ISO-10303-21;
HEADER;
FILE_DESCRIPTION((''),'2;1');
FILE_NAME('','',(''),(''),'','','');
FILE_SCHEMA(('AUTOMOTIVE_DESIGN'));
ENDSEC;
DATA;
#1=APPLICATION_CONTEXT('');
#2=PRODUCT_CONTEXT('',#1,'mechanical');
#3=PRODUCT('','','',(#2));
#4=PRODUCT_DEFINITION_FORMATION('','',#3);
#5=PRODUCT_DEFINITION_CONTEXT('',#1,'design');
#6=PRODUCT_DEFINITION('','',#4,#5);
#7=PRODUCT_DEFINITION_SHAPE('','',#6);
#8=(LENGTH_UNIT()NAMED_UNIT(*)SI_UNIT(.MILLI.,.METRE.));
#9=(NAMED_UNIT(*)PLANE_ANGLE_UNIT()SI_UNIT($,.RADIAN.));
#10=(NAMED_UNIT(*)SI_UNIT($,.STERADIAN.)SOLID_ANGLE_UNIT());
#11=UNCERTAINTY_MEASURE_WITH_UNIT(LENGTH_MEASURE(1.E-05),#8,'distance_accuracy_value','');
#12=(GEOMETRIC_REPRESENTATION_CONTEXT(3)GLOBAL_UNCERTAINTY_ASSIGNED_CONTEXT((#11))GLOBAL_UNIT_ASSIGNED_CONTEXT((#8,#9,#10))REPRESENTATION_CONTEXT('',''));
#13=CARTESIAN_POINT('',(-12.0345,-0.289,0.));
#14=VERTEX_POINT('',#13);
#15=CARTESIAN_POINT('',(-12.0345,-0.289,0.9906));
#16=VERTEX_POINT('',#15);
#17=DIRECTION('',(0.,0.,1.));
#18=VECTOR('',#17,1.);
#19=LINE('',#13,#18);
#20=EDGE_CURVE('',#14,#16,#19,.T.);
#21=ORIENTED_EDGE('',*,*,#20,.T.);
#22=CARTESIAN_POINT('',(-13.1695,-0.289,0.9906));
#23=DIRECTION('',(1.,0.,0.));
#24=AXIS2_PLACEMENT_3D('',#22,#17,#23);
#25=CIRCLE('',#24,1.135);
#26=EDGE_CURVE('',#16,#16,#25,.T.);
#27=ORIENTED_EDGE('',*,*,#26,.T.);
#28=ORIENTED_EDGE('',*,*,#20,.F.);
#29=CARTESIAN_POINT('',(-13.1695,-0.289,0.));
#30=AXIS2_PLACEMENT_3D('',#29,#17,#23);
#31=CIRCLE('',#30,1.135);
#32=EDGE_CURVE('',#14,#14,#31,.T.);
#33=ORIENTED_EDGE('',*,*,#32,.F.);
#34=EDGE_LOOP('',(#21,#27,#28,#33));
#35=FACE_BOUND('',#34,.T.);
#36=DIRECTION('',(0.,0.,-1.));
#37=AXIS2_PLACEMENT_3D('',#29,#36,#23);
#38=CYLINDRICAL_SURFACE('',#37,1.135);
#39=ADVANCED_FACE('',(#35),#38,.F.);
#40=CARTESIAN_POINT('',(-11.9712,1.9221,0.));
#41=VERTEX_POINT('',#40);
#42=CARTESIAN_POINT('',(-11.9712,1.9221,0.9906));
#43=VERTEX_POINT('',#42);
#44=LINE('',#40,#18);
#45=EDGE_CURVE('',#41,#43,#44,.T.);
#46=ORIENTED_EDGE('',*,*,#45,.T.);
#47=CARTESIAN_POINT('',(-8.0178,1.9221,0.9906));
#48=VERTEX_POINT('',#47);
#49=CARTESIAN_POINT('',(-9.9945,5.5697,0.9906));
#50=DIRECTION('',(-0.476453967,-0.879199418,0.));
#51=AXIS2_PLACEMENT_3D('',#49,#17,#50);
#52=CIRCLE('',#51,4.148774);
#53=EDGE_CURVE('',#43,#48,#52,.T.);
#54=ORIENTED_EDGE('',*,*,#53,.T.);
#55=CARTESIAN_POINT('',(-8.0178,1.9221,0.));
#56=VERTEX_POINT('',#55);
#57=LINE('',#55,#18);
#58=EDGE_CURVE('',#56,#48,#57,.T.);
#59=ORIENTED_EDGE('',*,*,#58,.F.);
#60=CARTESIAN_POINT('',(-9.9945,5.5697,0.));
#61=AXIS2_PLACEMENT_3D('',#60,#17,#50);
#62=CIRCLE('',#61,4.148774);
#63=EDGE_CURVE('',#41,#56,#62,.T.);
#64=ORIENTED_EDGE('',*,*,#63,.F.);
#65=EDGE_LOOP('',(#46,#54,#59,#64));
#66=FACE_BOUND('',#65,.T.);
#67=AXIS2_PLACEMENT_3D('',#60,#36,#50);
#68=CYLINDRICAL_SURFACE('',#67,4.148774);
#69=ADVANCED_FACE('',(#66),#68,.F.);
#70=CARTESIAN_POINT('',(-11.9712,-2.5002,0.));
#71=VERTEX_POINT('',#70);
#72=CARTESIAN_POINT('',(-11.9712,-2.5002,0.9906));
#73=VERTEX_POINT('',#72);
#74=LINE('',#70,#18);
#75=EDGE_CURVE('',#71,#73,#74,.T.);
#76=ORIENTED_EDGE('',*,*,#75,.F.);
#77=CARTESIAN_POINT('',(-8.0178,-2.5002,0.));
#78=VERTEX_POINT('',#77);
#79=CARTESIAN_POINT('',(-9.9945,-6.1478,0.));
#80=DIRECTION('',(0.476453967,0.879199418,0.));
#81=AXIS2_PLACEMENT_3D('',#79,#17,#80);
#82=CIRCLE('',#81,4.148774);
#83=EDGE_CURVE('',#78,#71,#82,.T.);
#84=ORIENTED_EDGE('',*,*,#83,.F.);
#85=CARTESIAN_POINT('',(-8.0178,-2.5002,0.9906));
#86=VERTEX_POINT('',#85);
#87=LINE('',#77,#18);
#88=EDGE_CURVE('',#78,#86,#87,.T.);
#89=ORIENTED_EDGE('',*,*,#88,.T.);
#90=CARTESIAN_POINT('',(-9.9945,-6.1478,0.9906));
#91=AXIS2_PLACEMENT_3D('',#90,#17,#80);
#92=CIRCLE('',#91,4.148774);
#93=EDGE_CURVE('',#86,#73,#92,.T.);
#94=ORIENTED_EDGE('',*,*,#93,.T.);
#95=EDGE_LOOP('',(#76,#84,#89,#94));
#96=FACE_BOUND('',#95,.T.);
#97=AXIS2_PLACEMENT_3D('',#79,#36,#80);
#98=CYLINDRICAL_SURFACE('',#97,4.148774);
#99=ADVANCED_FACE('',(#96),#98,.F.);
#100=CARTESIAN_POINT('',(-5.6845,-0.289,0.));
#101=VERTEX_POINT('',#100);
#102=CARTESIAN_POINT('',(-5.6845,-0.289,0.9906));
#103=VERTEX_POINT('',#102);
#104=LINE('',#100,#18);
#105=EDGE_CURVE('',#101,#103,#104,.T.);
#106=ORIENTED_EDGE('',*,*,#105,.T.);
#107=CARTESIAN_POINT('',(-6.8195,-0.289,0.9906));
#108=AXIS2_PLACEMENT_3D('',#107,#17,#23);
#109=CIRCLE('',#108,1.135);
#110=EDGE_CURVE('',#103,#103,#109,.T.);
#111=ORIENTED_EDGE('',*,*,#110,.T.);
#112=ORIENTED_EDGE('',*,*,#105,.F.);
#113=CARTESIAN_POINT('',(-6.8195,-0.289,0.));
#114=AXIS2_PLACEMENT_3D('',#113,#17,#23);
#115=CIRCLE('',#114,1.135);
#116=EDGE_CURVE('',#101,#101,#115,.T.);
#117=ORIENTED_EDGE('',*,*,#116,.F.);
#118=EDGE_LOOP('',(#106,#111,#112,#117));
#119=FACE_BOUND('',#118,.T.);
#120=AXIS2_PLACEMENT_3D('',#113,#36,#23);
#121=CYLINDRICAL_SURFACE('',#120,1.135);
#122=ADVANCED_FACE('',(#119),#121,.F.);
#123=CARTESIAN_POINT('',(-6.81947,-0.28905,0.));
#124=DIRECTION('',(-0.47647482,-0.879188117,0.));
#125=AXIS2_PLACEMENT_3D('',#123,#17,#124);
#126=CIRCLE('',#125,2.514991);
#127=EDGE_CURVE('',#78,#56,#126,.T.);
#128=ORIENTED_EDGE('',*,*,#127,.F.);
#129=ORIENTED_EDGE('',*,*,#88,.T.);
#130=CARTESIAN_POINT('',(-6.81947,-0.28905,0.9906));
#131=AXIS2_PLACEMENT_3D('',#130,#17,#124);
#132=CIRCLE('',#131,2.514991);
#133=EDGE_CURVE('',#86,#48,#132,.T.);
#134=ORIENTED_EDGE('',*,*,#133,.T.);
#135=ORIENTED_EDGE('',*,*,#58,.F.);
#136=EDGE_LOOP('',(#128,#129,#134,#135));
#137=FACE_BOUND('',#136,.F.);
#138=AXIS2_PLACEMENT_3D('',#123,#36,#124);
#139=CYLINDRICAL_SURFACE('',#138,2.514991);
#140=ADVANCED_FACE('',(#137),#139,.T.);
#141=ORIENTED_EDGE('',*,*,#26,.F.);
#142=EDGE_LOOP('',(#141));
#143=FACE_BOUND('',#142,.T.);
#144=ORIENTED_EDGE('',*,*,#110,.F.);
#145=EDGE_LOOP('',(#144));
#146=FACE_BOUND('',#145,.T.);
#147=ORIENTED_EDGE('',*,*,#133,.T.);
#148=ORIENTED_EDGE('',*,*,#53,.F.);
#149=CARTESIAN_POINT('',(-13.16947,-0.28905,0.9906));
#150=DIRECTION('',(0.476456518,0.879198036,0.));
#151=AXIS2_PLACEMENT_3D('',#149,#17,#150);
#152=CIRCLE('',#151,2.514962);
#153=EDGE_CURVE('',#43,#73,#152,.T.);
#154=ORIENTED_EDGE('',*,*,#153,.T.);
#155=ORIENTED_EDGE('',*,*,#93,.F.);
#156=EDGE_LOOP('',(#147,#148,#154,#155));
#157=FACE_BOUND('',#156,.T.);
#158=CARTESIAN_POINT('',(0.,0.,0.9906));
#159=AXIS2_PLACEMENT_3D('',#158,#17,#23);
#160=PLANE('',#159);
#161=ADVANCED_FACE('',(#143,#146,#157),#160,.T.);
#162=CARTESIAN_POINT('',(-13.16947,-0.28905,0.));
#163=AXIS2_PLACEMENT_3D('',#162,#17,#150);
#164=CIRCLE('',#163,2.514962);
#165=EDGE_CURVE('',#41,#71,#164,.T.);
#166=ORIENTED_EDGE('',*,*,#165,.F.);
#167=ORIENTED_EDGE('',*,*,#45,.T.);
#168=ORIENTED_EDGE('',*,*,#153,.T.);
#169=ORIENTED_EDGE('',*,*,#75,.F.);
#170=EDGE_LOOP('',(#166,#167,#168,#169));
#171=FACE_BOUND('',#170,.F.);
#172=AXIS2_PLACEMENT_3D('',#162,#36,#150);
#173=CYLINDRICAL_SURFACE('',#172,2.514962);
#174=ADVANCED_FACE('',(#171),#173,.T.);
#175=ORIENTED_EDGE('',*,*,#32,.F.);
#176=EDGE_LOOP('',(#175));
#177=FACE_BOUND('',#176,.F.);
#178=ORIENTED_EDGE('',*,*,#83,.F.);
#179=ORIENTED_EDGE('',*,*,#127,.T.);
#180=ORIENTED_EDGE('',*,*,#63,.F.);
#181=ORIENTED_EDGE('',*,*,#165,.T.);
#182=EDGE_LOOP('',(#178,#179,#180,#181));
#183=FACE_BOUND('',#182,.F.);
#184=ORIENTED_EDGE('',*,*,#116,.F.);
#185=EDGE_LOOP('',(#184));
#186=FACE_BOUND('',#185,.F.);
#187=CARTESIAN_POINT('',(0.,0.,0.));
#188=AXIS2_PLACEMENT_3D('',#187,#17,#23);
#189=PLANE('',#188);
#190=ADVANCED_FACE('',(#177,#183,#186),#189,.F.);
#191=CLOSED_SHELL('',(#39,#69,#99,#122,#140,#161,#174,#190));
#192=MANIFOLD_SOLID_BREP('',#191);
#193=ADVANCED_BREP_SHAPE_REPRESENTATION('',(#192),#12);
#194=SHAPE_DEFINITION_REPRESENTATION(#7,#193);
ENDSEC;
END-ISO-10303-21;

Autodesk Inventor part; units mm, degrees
ref_plane "YZ Plane" through (0, 0, 0) normal (1, 0, 0) x (0, 1, 0)
ref_plane "XZ Plane" through (0, 0, 0) normal (0, 1, 0) x (-1, 0, 0)
ref_plane "XY Plane" through (0, 0, 0) normal (0, 0, 1) x (1, 0, 0)
sketch "Sketch1" plane through (0, 0, 0) normal (0, 0, 1) x (1, 0, 0)
  arc A0 (-11.9712, 1.9221) -> (-8.0178, 1.9221) centre (-9.9945, 5.5697) ccw projected
  arc A1 (-8.0178, -2.5002) -> (-8.0178, 1.9221) centre (-6.8195, -0.289) ccw projected
  arc A2 (-8.0178, -2.5002) -> (-11.9712, -2.5002) centre (-9.9945, -6.1478) ccw projected
  arc A3 (-11.9712, 1.9221) -> (-11.9712, -2.5002) centre (-13.1695, -0.289) ccw projected
  circle A4 centre (-13.1695, -0.289) radius 1.135 projected
  circle A5 centre (-6.8195, -0.289) radius 1.135 projected
  point P0 (0, 0)
extrude "Extrusion1" add sketch "Sketch1" along normal blind 0.9906
properties part number "Chain Link"
